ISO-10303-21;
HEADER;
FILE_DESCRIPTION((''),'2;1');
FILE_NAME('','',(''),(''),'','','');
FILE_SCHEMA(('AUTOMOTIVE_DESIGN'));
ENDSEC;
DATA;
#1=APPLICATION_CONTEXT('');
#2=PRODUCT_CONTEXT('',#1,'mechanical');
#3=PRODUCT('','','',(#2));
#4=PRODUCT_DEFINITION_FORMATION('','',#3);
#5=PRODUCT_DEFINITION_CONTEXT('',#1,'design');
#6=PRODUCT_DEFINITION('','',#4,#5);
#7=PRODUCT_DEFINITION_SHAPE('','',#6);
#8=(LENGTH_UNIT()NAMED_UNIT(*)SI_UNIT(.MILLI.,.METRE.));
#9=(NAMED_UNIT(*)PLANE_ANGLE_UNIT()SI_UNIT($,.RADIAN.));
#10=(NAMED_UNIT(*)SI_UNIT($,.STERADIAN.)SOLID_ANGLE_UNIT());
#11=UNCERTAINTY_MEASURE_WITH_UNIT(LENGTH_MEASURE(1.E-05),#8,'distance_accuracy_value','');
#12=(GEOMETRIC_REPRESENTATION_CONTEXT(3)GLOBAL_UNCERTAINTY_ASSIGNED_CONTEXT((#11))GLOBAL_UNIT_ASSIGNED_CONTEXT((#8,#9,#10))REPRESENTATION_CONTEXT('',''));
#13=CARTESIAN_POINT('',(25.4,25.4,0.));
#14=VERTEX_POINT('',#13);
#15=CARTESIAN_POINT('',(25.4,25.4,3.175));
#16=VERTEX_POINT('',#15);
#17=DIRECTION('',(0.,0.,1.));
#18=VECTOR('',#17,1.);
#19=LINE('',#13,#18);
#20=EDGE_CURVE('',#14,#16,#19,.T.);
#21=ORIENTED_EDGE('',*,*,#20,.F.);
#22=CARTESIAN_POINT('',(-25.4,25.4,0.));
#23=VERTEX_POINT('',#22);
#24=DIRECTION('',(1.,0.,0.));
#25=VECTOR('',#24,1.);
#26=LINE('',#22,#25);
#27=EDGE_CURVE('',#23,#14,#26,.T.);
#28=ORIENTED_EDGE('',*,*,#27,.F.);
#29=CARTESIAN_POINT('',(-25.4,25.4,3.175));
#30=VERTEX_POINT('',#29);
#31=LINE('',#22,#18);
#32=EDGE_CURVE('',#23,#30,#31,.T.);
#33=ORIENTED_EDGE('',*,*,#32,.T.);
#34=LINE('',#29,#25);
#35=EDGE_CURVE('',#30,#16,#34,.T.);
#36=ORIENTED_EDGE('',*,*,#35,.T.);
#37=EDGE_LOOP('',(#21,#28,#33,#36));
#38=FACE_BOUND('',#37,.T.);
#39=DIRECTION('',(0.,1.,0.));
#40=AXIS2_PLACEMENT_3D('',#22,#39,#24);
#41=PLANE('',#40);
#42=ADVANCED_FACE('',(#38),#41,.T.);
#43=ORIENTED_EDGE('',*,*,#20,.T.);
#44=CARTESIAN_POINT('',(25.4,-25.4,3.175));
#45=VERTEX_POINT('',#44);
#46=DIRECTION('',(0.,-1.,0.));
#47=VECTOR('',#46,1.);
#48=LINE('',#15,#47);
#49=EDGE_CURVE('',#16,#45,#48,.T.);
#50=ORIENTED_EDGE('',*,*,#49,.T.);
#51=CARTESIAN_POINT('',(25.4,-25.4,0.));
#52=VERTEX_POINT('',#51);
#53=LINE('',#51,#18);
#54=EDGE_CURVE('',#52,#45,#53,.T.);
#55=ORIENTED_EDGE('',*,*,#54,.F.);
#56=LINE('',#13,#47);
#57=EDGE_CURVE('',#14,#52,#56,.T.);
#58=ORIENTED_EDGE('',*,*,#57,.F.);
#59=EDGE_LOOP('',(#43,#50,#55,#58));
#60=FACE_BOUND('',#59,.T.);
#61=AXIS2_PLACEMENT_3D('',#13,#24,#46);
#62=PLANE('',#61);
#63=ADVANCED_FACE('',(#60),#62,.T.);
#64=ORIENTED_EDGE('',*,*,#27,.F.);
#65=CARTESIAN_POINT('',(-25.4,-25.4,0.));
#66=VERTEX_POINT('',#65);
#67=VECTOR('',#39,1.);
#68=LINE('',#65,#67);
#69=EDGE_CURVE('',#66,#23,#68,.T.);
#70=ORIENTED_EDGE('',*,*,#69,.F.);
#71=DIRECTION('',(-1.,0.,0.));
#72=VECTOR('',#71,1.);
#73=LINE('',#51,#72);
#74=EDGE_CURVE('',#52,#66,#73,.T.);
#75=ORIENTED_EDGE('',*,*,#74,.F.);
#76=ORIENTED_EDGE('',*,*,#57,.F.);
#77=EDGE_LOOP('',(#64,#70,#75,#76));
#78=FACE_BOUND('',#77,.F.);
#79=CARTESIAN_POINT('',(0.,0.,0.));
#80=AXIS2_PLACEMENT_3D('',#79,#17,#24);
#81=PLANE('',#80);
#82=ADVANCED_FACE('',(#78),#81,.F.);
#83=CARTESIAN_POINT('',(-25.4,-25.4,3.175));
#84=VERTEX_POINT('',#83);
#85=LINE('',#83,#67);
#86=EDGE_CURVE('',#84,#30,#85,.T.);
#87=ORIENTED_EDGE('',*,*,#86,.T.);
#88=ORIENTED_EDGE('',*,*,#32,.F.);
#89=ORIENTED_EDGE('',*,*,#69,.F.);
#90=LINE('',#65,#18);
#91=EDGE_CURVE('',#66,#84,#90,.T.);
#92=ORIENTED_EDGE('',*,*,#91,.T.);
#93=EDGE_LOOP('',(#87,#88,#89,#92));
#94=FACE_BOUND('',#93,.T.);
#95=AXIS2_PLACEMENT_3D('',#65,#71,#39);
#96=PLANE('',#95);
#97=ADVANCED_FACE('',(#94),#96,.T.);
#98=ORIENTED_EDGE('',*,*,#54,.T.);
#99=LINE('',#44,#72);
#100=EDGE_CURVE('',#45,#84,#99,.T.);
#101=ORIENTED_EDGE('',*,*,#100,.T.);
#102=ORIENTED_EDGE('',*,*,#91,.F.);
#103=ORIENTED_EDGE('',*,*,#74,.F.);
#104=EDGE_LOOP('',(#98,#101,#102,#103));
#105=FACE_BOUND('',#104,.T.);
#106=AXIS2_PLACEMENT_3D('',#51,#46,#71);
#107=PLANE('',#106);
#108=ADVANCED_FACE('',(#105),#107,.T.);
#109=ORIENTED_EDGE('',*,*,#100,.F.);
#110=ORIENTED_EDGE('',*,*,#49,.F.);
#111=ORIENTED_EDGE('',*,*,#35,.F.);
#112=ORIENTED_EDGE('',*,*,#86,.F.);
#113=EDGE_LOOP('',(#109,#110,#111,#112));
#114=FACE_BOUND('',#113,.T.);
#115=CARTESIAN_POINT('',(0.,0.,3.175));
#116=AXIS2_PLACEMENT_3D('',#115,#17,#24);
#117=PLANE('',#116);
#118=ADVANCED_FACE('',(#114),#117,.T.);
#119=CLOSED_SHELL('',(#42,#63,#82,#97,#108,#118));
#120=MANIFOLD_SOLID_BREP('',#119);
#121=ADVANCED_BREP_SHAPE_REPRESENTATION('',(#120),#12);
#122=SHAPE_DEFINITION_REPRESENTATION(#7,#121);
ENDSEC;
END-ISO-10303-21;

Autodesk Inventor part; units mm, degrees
ref_plane "YZ Plane" through (0, 0, 0) normal (1, 0, 0) x (0, 1, 0)
ref_plane "XZ Plane" through (0, 0, 0) normal (0, 1, 0) x (-1, 0, 0)
ref_plane "XY Plane" through (0, 0, 0) normal (0, 0, 1) x (1, 0, 0)
sketch "Sketch1" plane through (0, 0, 0) normal (0, 0, 1) x (1, 0, 0)
  line L0 (0, 6.9033) -> (0, -6.5952) construction
  line L1 (-6.9019, 0) -> (6.6974, 0) construction
  line L2 (-25.4, 25.4) -> (25.4, 25.4)
  line L3 (25.4, 25.4) -> (25.4, -25.4)
  line L4 (25.4, -25.4) -> (-25.4, -25.4)
  line L5 (-25.4, -25.4) -> (-25.4, 25.4)
  point P0 (0, 0)
  dimension "d0" = 50.8
  dimension "d1" = 25.4
  dimension "d2" = 25.4
  dimension "d3" = 50.8
extrude "Extrusion1" add sketch "Sketch1" along normal blind 3.175
fillet "Fillet1" [suppressed]
chamfer "Chamfer1" [suppressed]
equation "\"d0\" = height"
equation "\"d1\" = 0.5 * height"
equation "\"d2\" = 0.5 * width"
equation "\"d3\" = width"
equation "\"d4\" = thickness"
equation "\"fillet\" = 0"
equation "\"chamfer\" = 0"
equation "\"thickness\" = 3.175"
equation "\"width\" = 50.8"
equation "\"height\" = 50.8"
properties part number "Plate Filleted Corners (in) 2 x 2 x 0.125" material "Steel, Mild"
